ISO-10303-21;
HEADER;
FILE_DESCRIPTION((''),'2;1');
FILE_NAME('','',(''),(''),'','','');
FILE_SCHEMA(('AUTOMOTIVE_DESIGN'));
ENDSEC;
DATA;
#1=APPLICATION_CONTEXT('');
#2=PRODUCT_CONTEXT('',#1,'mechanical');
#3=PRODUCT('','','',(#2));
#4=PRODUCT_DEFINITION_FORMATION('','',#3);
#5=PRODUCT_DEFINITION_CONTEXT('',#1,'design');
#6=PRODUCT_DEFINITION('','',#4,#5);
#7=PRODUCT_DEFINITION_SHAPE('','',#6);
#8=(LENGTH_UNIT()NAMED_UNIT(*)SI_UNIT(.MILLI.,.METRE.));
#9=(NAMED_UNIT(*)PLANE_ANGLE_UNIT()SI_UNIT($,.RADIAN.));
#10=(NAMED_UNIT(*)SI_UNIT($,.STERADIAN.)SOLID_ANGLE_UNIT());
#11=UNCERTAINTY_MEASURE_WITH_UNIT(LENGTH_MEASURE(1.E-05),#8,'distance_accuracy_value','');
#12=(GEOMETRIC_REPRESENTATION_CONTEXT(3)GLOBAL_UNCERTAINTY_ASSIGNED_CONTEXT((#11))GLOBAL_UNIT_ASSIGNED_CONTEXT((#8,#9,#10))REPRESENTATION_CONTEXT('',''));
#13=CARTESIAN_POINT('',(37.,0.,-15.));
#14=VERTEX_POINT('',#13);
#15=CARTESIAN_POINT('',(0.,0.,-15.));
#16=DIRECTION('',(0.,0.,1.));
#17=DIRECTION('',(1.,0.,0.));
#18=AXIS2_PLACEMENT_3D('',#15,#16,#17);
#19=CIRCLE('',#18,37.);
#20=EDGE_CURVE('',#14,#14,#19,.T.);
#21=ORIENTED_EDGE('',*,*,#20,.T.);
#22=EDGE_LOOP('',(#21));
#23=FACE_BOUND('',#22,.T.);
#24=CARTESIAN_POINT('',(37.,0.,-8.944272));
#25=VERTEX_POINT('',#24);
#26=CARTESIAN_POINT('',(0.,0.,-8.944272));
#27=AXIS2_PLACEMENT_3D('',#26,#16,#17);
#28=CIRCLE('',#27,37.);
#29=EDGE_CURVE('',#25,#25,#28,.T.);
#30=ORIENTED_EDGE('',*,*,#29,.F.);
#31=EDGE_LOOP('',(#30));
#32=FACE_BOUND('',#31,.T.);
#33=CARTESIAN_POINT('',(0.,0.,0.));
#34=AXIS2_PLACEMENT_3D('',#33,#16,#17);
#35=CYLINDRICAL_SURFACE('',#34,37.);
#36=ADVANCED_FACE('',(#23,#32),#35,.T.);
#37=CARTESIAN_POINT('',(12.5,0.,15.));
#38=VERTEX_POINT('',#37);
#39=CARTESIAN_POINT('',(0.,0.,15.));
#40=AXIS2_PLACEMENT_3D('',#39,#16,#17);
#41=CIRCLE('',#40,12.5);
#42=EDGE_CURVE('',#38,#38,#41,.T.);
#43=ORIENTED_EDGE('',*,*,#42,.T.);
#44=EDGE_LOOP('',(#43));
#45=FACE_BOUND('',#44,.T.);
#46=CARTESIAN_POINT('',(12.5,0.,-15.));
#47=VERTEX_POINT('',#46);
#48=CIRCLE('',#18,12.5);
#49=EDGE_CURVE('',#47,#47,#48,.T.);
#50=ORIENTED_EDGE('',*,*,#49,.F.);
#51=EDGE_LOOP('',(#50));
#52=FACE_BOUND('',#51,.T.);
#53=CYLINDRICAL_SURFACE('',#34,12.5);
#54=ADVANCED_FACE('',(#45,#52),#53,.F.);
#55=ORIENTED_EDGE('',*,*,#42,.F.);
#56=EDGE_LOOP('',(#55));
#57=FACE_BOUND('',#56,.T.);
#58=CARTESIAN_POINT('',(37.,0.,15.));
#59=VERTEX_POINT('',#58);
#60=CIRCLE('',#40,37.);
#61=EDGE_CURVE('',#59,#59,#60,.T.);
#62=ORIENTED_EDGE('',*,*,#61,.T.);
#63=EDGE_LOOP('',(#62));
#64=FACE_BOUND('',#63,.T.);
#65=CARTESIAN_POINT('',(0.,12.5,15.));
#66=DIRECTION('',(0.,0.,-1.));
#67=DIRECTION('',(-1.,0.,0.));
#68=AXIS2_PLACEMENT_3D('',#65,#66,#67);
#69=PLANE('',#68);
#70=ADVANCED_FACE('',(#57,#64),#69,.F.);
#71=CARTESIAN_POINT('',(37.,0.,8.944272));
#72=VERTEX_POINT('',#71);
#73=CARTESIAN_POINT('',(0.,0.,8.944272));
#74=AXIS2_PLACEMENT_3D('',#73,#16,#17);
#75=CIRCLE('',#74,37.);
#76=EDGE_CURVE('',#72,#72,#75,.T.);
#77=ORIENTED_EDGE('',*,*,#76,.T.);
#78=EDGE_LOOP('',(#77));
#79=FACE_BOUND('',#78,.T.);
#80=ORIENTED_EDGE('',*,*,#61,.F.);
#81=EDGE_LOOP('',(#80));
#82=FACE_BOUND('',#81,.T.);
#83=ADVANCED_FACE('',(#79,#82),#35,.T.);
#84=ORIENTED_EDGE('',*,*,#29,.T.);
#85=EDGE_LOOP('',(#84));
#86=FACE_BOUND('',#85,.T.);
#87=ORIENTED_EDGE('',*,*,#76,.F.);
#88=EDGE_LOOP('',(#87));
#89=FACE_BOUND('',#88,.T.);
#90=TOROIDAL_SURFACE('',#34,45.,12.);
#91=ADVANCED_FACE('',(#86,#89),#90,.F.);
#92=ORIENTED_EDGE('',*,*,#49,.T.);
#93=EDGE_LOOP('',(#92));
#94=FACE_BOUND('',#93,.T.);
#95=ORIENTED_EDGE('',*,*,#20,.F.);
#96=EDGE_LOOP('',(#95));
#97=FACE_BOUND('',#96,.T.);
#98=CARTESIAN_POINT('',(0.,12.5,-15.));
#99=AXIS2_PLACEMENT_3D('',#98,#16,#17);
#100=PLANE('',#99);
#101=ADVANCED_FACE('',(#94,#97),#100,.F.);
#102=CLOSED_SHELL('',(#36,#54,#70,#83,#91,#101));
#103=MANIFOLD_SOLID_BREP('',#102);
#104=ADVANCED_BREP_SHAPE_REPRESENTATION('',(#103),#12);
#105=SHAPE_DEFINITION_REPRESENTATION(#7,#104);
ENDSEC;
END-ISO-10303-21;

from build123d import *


with BuildPart() as part:
    # Sketch1 → Revolve1 (revolve)
    with BuildSketch(Plane(origin=(0, 0, 0), x_dir=(0, 0, -1), z_dir=(1, 0, 0)), mode=Mode.PRIVATE) as revolve1_sk:
        with BuildLine():
            Line((15, 12.5), (-15, 12.5))
            Line((-15, 12.5), (-15, 37))
            Line((-15, 37), (-8.94427191, 37))
            ThreePointArc((-8.94427191, 37), (0, 33), (8.94427191, 37))
            Line((8.94427191, 37), (15, 37))
            Line((15, 37), (15, 12.5))
        make_face()
    revolve(revolve1_sk.sketch.rotate(Axis((0, 0, 0), (0, 0, -1)), 90), axis=Axis((0, 0, 0), (0, 0, -1)))


solid = part.part
